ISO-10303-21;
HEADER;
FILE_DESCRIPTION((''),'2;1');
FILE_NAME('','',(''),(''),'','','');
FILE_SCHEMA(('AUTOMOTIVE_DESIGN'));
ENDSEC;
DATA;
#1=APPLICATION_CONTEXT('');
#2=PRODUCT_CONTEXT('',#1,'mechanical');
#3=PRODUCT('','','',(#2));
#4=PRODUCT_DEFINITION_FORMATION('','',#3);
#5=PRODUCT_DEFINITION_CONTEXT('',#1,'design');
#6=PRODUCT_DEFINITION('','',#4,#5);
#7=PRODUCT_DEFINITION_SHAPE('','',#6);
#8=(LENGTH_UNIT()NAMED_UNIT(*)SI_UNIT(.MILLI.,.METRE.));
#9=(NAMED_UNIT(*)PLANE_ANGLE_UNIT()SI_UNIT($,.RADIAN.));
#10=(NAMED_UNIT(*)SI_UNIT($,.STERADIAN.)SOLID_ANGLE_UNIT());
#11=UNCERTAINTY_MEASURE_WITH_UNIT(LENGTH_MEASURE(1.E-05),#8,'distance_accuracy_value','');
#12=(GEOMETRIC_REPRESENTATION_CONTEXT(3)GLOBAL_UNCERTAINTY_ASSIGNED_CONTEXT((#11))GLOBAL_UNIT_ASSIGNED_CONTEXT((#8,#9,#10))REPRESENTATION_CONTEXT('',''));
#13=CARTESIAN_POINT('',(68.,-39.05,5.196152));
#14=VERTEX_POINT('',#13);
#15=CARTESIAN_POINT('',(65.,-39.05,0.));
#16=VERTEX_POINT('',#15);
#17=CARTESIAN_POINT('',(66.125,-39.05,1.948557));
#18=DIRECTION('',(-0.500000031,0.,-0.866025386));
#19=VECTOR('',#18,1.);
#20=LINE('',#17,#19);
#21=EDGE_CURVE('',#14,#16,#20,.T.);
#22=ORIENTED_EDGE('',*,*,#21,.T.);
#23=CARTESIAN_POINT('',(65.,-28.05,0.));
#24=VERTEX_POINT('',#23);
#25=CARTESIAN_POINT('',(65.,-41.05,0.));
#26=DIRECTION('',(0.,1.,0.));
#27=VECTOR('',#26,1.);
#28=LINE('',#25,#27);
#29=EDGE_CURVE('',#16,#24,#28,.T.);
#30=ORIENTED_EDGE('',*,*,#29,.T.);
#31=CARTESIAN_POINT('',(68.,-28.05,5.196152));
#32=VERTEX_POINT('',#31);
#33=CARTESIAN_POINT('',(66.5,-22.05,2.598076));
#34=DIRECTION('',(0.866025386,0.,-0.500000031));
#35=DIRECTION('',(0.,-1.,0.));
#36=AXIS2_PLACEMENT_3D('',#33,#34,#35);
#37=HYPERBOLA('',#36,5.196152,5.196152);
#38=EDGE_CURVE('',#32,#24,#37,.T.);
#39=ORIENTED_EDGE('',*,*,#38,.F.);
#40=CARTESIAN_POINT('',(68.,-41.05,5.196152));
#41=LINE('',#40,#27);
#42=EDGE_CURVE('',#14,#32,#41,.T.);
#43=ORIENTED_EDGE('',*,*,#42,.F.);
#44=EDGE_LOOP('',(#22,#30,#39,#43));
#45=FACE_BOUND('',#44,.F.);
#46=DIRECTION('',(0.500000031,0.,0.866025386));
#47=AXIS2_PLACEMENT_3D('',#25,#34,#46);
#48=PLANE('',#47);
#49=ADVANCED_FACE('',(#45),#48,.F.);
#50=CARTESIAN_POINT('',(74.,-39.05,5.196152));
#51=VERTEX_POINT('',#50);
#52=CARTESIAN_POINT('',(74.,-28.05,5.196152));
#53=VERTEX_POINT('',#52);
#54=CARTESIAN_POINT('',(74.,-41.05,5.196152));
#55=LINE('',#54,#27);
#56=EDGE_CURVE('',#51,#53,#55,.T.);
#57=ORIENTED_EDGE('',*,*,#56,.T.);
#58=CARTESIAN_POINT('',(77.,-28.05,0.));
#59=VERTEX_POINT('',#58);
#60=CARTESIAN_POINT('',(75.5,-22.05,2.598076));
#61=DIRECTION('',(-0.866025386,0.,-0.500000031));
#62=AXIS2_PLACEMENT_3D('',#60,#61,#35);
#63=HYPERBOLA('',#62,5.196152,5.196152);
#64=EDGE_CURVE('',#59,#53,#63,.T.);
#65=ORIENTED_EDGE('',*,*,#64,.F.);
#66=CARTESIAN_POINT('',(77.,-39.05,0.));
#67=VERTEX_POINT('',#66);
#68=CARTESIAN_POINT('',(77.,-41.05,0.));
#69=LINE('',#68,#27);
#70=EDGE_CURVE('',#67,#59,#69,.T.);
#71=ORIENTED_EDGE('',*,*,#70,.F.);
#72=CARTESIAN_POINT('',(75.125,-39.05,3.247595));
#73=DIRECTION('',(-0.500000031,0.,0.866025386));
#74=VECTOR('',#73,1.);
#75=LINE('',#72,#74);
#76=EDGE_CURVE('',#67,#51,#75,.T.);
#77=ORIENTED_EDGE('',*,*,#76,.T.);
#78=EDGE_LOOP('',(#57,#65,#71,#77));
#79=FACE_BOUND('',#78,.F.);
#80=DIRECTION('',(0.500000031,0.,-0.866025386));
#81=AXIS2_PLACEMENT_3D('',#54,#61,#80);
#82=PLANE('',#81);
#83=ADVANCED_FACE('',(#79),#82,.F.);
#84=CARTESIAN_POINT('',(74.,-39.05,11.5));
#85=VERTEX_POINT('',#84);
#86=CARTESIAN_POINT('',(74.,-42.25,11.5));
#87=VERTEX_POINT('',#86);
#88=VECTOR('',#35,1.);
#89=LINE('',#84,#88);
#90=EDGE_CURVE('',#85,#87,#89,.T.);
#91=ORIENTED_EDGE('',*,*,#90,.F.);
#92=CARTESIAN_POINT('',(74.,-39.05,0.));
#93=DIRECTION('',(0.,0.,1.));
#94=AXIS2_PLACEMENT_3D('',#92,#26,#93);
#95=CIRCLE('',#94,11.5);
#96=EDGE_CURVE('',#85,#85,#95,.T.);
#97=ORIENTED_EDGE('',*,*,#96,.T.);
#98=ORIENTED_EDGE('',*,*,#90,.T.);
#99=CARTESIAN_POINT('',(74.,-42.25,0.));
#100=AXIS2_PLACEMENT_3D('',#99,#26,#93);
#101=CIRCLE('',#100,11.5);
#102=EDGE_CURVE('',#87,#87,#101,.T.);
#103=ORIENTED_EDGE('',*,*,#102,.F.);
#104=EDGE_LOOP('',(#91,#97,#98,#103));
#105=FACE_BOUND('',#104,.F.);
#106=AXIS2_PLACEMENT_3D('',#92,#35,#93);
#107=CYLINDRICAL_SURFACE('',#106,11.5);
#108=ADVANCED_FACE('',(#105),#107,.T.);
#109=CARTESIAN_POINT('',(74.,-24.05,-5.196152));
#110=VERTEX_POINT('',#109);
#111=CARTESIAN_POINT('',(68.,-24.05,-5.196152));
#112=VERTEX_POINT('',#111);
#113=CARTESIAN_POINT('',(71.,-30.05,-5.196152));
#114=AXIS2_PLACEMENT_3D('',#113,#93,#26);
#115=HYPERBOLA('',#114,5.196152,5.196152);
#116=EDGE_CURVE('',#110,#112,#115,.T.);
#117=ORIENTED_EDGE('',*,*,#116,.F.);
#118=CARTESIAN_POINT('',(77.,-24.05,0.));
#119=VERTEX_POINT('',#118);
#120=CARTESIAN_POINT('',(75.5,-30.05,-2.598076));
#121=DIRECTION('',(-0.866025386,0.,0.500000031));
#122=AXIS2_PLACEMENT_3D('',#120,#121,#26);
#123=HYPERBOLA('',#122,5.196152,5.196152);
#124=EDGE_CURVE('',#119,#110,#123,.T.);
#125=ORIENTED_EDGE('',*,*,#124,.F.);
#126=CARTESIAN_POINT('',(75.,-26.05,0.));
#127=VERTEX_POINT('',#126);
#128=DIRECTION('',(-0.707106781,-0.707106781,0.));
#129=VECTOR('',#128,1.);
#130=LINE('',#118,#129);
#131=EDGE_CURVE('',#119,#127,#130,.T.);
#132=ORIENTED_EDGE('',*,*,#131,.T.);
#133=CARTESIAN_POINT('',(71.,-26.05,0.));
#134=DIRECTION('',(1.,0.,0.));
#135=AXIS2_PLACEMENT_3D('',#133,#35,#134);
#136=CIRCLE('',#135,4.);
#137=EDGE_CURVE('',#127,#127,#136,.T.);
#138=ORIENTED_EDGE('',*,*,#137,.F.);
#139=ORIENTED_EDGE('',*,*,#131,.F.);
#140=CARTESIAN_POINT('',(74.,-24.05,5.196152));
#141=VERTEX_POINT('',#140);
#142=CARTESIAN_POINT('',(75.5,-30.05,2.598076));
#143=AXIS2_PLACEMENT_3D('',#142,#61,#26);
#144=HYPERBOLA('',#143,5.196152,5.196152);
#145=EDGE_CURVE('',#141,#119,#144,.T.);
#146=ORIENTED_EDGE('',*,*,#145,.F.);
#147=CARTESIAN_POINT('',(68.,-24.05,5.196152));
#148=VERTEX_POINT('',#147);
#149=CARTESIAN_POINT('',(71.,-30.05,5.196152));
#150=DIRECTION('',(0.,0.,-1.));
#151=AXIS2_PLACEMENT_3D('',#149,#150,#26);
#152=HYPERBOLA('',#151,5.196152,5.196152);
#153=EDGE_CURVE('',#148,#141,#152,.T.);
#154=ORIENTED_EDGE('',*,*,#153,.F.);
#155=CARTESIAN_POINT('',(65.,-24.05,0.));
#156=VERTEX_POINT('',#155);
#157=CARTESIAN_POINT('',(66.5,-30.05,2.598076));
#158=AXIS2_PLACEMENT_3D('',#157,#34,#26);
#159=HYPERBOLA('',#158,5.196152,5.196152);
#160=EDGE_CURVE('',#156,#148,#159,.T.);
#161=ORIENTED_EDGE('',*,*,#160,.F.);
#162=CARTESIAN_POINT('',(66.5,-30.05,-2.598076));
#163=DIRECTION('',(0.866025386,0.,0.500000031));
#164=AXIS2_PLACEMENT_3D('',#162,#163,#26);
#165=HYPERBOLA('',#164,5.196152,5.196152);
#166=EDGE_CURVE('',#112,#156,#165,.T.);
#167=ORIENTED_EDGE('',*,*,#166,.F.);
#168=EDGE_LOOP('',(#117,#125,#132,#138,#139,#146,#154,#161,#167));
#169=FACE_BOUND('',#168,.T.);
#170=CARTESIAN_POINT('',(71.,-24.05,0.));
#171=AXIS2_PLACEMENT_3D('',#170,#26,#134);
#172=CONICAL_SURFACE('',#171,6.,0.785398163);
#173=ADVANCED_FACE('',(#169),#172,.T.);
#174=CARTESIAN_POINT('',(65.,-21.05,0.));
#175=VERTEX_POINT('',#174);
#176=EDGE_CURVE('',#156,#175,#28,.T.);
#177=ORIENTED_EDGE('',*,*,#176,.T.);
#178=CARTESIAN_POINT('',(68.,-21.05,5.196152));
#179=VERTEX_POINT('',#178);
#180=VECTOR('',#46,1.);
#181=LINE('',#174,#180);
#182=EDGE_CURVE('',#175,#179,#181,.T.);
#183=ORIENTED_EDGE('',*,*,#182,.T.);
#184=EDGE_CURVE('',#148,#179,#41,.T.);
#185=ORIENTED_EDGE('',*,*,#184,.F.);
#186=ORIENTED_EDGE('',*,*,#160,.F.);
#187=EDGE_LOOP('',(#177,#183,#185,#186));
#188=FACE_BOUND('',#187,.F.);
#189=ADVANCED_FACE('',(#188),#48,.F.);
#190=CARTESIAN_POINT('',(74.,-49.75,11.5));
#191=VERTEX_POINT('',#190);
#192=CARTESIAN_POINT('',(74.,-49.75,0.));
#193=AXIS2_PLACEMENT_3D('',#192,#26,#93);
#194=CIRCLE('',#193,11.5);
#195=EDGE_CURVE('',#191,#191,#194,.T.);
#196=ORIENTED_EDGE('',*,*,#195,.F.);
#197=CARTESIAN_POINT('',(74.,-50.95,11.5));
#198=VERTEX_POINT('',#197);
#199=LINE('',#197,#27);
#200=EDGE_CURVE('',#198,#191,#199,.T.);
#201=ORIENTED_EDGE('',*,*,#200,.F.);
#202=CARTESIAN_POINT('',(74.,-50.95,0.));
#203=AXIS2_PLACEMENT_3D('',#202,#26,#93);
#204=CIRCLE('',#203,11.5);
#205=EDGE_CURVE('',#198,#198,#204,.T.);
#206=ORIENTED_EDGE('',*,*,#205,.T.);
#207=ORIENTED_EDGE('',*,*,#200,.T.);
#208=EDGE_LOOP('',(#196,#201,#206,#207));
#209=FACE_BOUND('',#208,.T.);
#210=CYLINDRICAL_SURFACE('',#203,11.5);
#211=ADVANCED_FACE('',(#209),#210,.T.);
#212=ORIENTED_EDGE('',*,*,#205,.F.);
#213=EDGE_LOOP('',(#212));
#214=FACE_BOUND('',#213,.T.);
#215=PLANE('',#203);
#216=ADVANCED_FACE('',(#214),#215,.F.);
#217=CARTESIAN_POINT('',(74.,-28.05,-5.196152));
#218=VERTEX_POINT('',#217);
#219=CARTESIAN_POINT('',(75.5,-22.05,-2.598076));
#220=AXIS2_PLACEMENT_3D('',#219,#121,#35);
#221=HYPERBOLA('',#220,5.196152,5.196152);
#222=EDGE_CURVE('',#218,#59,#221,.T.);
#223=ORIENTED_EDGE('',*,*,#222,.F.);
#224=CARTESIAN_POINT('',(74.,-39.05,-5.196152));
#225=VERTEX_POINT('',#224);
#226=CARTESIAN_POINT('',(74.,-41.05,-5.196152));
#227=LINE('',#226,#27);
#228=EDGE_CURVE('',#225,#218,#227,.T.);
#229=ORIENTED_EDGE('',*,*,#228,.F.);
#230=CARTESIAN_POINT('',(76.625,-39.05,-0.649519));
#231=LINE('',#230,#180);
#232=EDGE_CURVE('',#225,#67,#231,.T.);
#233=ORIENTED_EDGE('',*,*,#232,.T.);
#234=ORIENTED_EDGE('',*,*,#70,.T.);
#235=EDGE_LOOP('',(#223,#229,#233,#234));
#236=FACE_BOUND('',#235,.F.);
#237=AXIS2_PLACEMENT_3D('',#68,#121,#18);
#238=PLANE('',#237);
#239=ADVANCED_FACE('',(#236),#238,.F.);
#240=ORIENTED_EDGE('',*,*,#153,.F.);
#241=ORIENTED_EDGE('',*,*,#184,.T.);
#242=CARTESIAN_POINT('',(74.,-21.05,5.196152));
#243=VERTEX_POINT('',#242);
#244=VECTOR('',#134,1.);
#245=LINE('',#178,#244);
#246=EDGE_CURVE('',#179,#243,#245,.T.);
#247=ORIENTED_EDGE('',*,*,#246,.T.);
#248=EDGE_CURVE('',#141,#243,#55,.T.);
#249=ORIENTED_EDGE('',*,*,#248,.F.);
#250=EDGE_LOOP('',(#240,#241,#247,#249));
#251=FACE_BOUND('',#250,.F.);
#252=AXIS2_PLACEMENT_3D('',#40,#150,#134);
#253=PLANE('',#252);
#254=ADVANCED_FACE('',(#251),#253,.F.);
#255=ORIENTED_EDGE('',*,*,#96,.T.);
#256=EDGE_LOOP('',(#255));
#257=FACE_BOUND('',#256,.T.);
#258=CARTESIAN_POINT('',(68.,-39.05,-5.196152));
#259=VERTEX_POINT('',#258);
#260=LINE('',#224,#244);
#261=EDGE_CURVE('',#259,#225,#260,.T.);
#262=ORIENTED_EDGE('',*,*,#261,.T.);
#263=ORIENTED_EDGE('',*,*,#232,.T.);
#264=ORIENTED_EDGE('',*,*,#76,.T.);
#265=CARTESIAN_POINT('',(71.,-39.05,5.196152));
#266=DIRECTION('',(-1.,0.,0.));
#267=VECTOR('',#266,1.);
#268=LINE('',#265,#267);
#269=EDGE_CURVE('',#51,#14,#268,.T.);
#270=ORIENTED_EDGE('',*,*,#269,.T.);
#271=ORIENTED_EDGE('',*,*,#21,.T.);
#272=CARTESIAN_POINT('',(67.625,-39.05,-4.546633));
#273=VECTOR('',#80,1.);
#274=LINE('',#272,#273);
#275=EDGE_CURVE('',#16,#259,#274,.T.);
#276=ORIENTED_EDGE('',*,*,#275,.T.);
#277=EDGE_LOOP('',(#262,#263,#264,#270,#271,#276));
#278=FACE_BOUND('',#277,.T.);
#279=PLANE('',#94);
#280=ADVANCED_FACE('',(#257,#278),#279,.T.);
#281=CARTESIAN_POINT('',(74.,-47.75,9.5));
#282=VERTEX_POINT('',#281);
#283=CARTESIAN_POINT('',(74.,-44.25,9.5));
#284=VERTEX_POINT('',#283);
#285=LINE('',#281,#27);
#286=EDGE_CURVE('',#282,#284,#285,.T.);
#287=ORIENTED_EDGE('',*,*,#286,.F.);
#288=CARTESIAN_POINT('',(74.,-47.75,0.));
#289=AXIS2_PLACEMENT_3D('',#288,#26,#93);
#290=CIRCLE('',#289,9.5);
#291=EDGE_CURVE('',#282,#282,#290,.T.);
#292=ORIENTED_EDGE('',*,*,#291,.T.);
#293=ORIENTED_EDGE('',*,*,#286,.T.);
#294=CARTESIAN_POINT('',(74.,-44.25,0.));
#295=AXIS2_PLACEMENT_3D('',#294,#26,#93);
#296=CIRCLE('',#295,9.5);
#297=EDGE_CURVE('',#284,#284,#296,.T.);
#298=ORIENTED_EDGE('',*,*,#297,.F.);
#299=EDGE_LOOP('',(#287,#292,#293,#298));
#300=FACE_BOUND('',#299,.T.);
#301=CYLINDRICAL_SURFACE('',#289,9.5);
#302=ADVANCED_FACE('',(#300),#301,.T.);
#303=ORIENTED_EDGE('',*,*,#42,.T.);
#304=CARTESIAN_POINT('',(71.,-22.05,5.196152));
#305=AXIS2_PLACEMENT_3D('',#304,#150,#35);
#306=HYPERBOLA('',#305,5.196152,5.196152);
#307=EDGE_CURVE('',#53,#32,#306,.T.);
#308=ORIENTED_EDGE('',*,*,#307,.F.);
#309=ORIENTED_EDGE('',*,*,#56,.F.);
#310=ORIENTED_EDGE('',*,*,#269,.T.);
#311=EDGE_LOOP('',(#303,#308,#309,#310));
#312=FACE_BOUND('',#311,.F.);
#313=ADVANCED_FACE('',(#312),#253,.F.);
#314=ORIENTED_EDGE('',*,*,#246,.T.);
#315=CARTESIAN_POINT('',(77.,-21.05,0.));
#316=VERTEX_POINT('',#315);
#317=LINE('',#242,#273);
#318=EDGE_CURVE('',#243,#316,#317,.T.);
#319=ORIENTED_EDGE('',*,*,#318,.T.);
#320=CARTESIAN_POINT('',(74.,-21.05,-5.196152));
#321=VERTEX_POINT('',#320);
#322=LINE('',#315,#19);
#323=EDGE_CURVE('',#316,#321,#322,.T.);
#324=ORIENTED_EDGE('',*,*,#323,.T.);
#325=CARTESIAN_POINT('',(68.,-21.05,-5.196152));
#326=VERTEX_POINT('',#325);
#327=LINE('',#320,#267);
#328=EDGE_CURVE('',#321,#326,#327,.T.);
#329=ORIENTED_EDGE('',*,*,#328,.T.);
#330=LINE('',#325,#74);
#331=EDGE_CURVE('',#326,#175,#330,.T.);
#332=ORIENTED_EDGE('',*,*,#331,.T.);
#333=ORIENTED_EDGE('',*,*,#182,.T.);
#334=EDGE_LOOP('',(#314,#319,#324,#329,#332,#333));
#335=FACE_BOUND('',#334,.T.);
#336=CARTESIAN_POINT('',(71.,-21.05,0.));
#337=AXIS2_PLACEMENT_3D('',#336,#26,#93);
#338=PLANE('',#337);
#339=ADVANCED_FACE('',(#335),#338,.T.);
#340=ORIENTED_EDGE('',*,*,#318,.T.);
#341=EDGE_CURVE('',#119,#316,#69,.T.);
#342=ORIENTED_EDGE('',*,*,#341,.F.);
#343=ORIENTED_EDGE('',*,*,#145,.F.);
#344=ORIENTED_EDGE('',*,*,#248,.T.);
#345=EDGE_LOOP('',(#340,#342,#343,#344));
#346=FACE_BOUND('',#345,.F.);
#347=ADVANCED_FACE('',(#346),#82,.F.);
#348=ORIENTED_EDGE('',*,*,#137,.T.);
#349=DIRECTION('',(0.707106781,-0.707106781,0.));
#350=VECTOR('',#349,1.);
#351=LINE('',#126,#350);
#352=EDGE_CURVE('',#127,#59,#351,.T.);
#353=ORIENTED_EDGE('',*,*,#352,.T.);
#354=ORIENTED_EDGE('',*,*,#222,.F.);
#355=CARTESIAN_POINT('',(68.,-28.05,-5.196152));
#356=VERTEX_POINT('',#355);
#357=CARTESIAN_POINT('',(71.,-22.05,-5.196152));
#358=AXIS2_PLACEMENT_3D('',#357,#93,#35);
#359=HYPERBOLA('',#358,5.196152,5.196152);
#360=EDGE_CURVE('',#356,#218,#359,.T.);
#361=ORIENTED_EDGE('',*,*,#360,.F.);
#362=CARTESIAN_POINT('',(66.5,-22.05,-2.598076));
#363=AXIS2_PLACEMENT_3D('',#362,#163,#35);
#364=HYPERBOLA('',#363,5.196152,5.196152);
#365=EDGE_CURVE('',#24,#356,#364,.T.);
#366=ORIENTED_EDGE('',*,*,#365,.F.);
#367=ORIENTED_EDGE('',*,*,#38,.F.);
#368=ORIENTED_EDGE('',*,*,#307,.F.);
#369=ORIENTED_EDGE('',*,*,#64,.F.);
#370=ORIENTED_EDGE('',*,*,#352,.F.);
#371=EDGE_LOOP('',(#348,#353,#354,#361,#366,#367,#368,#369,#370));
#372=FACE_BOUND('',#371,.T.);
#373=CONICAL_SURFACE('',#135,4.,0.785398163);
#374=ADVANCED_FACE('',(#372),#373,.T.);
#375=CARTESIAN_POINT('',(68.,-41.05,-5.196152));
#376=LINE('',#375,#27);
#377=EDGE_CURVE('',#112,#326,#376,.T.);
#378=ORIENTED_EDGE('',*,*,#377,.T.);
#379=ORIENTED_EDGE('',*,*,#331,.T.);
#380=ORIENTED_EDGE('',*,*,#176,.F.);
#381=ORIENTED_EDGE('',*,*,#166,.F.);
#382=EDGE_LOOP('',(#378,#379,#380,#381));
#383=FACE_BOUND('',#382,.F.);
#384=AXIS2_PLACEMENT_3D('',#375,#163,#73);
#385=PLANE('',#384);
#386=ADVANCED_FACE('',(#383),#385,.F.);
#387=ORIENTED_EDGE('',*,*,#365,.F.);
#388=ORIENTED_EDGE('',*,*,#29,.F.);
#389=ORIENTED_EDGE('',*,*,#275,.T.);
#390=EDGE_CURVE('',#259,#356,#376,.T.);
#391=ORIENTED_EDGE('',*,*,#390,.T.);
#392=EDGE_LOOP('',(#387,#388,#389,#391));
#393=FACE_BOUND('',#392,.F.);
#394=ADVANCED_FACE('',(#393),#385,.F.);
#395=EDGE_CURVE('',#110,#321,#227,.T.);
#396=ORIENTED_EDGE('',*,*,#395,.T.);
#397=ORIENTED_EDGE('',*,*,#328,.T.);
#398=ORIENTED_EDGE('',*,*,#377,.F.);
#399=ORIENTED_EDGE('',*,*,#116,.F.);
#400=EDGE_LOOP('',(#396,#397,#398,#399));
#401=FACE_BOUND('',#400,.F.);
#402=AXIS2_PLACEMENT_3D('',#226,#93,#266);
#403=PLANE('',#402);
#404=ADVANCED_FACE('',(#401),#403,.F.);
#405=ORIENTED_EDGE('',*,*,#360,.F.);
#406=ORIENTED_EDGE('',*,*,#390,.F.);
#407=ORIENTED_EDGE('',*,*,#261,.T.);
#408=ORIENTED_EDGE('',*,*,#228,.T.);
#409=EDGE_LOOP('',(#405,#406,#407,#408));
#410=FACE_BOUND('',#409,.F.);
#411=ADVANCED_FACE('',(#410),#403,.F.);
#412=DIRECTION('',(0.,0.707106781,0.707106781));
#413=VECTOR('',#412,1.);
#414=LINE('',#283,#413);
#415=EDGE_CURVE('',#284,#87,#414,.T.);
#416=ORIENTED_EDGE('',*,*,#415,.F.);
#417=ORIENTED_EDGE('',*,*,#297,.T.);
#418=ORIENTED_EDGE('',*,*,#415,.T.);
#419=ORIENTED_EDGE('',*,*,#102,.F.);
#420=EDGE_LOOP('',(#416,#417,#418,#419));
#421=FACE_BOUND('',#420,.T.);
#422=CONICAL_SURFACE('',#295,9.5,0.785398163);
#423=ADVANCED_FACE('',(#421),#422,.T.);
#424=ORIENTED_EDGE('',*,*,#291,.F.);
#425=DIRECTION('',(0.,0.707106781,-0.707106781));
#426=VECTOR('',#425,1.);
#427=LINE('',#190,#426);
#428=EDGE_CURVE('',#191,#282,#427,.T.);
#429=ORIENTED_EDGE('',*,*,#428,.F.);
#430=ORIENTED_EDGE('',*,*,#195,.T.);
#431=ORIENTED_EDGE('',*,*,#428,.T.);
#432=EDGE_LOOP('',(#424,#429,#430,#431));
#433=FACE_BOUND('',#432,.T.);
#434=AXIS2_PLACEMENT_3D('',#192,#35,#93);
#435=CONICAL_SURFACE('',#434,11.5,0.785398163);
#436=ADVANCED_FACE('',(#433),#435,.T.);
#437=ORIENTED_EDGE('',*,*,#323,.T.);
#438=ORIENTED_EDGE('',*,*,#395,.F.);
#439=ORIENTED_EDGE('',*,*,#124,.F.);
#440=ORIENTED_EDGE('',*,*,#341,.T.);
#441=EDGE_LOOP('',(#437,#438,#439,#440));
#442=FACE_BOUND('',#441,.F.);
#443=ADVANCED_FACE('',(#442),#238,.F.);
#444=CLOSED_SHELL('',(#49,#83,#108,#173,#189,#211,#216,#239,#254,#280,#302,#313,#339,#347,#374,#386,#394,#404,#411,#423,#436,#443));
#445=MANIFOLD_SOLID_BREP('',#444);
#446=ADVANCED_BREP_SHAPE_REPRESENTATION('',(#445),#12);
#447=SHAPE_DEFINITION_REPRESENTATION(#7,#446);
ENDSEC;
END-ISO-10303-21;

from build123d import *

# Parameters (mm, degrees)
PAD_DEPTH = 20


with BuildPart() as part:
    # Sketch039 → Revolution002 (revolve)
    with BuildSketch(Plane.YZ):
        Polygon((6.95, 11.5), (6.95, 0), (-4.95, 0), (-4.95, 11.5), (-3.75, 11.5), (-1.75, 9.5), (1.75, 9.5), (3.75, 11.5), (4.95, 11.5), align=None)
    revolve(axis=Axis((0, 0, 0), (0, 1, 0)))

    # Sketch041 (on DatumPlane) → Pad (new body)
    with BuildSketch(Plane(origin=(-3, 4.95, 0), x_dir=(0, 0, 1), z_dir=(0, 1, 0))):
        Polygon((0, 6), (-5.196152, 3), (-5.196152, -3), (0, -6), (5.196152, -3), (5.196152, 3), align=None)
    extrude(amount=PAD_DEPTH)

    # Sketch042 (on DatumPlane) → Groove (revolve, cut)
    with BuildSketch(Plane(origin=(-3, 4.95, 0), x_dir=(0, -1, 0), z_dir=(0, 0, 1))):
        Polygon((-17, 6), (-15, 4), (-13, 6), align=None)
    revolve(axis=Axis((-3, 4.95, 0), (0, -1, 0)), mode=Mode.SUBTRACT)


with BuildPart() as part_1:
    # Body007 placement: moved
    add(part.part.moved(Location((74, -46, 0))))


solid = part_1.part
